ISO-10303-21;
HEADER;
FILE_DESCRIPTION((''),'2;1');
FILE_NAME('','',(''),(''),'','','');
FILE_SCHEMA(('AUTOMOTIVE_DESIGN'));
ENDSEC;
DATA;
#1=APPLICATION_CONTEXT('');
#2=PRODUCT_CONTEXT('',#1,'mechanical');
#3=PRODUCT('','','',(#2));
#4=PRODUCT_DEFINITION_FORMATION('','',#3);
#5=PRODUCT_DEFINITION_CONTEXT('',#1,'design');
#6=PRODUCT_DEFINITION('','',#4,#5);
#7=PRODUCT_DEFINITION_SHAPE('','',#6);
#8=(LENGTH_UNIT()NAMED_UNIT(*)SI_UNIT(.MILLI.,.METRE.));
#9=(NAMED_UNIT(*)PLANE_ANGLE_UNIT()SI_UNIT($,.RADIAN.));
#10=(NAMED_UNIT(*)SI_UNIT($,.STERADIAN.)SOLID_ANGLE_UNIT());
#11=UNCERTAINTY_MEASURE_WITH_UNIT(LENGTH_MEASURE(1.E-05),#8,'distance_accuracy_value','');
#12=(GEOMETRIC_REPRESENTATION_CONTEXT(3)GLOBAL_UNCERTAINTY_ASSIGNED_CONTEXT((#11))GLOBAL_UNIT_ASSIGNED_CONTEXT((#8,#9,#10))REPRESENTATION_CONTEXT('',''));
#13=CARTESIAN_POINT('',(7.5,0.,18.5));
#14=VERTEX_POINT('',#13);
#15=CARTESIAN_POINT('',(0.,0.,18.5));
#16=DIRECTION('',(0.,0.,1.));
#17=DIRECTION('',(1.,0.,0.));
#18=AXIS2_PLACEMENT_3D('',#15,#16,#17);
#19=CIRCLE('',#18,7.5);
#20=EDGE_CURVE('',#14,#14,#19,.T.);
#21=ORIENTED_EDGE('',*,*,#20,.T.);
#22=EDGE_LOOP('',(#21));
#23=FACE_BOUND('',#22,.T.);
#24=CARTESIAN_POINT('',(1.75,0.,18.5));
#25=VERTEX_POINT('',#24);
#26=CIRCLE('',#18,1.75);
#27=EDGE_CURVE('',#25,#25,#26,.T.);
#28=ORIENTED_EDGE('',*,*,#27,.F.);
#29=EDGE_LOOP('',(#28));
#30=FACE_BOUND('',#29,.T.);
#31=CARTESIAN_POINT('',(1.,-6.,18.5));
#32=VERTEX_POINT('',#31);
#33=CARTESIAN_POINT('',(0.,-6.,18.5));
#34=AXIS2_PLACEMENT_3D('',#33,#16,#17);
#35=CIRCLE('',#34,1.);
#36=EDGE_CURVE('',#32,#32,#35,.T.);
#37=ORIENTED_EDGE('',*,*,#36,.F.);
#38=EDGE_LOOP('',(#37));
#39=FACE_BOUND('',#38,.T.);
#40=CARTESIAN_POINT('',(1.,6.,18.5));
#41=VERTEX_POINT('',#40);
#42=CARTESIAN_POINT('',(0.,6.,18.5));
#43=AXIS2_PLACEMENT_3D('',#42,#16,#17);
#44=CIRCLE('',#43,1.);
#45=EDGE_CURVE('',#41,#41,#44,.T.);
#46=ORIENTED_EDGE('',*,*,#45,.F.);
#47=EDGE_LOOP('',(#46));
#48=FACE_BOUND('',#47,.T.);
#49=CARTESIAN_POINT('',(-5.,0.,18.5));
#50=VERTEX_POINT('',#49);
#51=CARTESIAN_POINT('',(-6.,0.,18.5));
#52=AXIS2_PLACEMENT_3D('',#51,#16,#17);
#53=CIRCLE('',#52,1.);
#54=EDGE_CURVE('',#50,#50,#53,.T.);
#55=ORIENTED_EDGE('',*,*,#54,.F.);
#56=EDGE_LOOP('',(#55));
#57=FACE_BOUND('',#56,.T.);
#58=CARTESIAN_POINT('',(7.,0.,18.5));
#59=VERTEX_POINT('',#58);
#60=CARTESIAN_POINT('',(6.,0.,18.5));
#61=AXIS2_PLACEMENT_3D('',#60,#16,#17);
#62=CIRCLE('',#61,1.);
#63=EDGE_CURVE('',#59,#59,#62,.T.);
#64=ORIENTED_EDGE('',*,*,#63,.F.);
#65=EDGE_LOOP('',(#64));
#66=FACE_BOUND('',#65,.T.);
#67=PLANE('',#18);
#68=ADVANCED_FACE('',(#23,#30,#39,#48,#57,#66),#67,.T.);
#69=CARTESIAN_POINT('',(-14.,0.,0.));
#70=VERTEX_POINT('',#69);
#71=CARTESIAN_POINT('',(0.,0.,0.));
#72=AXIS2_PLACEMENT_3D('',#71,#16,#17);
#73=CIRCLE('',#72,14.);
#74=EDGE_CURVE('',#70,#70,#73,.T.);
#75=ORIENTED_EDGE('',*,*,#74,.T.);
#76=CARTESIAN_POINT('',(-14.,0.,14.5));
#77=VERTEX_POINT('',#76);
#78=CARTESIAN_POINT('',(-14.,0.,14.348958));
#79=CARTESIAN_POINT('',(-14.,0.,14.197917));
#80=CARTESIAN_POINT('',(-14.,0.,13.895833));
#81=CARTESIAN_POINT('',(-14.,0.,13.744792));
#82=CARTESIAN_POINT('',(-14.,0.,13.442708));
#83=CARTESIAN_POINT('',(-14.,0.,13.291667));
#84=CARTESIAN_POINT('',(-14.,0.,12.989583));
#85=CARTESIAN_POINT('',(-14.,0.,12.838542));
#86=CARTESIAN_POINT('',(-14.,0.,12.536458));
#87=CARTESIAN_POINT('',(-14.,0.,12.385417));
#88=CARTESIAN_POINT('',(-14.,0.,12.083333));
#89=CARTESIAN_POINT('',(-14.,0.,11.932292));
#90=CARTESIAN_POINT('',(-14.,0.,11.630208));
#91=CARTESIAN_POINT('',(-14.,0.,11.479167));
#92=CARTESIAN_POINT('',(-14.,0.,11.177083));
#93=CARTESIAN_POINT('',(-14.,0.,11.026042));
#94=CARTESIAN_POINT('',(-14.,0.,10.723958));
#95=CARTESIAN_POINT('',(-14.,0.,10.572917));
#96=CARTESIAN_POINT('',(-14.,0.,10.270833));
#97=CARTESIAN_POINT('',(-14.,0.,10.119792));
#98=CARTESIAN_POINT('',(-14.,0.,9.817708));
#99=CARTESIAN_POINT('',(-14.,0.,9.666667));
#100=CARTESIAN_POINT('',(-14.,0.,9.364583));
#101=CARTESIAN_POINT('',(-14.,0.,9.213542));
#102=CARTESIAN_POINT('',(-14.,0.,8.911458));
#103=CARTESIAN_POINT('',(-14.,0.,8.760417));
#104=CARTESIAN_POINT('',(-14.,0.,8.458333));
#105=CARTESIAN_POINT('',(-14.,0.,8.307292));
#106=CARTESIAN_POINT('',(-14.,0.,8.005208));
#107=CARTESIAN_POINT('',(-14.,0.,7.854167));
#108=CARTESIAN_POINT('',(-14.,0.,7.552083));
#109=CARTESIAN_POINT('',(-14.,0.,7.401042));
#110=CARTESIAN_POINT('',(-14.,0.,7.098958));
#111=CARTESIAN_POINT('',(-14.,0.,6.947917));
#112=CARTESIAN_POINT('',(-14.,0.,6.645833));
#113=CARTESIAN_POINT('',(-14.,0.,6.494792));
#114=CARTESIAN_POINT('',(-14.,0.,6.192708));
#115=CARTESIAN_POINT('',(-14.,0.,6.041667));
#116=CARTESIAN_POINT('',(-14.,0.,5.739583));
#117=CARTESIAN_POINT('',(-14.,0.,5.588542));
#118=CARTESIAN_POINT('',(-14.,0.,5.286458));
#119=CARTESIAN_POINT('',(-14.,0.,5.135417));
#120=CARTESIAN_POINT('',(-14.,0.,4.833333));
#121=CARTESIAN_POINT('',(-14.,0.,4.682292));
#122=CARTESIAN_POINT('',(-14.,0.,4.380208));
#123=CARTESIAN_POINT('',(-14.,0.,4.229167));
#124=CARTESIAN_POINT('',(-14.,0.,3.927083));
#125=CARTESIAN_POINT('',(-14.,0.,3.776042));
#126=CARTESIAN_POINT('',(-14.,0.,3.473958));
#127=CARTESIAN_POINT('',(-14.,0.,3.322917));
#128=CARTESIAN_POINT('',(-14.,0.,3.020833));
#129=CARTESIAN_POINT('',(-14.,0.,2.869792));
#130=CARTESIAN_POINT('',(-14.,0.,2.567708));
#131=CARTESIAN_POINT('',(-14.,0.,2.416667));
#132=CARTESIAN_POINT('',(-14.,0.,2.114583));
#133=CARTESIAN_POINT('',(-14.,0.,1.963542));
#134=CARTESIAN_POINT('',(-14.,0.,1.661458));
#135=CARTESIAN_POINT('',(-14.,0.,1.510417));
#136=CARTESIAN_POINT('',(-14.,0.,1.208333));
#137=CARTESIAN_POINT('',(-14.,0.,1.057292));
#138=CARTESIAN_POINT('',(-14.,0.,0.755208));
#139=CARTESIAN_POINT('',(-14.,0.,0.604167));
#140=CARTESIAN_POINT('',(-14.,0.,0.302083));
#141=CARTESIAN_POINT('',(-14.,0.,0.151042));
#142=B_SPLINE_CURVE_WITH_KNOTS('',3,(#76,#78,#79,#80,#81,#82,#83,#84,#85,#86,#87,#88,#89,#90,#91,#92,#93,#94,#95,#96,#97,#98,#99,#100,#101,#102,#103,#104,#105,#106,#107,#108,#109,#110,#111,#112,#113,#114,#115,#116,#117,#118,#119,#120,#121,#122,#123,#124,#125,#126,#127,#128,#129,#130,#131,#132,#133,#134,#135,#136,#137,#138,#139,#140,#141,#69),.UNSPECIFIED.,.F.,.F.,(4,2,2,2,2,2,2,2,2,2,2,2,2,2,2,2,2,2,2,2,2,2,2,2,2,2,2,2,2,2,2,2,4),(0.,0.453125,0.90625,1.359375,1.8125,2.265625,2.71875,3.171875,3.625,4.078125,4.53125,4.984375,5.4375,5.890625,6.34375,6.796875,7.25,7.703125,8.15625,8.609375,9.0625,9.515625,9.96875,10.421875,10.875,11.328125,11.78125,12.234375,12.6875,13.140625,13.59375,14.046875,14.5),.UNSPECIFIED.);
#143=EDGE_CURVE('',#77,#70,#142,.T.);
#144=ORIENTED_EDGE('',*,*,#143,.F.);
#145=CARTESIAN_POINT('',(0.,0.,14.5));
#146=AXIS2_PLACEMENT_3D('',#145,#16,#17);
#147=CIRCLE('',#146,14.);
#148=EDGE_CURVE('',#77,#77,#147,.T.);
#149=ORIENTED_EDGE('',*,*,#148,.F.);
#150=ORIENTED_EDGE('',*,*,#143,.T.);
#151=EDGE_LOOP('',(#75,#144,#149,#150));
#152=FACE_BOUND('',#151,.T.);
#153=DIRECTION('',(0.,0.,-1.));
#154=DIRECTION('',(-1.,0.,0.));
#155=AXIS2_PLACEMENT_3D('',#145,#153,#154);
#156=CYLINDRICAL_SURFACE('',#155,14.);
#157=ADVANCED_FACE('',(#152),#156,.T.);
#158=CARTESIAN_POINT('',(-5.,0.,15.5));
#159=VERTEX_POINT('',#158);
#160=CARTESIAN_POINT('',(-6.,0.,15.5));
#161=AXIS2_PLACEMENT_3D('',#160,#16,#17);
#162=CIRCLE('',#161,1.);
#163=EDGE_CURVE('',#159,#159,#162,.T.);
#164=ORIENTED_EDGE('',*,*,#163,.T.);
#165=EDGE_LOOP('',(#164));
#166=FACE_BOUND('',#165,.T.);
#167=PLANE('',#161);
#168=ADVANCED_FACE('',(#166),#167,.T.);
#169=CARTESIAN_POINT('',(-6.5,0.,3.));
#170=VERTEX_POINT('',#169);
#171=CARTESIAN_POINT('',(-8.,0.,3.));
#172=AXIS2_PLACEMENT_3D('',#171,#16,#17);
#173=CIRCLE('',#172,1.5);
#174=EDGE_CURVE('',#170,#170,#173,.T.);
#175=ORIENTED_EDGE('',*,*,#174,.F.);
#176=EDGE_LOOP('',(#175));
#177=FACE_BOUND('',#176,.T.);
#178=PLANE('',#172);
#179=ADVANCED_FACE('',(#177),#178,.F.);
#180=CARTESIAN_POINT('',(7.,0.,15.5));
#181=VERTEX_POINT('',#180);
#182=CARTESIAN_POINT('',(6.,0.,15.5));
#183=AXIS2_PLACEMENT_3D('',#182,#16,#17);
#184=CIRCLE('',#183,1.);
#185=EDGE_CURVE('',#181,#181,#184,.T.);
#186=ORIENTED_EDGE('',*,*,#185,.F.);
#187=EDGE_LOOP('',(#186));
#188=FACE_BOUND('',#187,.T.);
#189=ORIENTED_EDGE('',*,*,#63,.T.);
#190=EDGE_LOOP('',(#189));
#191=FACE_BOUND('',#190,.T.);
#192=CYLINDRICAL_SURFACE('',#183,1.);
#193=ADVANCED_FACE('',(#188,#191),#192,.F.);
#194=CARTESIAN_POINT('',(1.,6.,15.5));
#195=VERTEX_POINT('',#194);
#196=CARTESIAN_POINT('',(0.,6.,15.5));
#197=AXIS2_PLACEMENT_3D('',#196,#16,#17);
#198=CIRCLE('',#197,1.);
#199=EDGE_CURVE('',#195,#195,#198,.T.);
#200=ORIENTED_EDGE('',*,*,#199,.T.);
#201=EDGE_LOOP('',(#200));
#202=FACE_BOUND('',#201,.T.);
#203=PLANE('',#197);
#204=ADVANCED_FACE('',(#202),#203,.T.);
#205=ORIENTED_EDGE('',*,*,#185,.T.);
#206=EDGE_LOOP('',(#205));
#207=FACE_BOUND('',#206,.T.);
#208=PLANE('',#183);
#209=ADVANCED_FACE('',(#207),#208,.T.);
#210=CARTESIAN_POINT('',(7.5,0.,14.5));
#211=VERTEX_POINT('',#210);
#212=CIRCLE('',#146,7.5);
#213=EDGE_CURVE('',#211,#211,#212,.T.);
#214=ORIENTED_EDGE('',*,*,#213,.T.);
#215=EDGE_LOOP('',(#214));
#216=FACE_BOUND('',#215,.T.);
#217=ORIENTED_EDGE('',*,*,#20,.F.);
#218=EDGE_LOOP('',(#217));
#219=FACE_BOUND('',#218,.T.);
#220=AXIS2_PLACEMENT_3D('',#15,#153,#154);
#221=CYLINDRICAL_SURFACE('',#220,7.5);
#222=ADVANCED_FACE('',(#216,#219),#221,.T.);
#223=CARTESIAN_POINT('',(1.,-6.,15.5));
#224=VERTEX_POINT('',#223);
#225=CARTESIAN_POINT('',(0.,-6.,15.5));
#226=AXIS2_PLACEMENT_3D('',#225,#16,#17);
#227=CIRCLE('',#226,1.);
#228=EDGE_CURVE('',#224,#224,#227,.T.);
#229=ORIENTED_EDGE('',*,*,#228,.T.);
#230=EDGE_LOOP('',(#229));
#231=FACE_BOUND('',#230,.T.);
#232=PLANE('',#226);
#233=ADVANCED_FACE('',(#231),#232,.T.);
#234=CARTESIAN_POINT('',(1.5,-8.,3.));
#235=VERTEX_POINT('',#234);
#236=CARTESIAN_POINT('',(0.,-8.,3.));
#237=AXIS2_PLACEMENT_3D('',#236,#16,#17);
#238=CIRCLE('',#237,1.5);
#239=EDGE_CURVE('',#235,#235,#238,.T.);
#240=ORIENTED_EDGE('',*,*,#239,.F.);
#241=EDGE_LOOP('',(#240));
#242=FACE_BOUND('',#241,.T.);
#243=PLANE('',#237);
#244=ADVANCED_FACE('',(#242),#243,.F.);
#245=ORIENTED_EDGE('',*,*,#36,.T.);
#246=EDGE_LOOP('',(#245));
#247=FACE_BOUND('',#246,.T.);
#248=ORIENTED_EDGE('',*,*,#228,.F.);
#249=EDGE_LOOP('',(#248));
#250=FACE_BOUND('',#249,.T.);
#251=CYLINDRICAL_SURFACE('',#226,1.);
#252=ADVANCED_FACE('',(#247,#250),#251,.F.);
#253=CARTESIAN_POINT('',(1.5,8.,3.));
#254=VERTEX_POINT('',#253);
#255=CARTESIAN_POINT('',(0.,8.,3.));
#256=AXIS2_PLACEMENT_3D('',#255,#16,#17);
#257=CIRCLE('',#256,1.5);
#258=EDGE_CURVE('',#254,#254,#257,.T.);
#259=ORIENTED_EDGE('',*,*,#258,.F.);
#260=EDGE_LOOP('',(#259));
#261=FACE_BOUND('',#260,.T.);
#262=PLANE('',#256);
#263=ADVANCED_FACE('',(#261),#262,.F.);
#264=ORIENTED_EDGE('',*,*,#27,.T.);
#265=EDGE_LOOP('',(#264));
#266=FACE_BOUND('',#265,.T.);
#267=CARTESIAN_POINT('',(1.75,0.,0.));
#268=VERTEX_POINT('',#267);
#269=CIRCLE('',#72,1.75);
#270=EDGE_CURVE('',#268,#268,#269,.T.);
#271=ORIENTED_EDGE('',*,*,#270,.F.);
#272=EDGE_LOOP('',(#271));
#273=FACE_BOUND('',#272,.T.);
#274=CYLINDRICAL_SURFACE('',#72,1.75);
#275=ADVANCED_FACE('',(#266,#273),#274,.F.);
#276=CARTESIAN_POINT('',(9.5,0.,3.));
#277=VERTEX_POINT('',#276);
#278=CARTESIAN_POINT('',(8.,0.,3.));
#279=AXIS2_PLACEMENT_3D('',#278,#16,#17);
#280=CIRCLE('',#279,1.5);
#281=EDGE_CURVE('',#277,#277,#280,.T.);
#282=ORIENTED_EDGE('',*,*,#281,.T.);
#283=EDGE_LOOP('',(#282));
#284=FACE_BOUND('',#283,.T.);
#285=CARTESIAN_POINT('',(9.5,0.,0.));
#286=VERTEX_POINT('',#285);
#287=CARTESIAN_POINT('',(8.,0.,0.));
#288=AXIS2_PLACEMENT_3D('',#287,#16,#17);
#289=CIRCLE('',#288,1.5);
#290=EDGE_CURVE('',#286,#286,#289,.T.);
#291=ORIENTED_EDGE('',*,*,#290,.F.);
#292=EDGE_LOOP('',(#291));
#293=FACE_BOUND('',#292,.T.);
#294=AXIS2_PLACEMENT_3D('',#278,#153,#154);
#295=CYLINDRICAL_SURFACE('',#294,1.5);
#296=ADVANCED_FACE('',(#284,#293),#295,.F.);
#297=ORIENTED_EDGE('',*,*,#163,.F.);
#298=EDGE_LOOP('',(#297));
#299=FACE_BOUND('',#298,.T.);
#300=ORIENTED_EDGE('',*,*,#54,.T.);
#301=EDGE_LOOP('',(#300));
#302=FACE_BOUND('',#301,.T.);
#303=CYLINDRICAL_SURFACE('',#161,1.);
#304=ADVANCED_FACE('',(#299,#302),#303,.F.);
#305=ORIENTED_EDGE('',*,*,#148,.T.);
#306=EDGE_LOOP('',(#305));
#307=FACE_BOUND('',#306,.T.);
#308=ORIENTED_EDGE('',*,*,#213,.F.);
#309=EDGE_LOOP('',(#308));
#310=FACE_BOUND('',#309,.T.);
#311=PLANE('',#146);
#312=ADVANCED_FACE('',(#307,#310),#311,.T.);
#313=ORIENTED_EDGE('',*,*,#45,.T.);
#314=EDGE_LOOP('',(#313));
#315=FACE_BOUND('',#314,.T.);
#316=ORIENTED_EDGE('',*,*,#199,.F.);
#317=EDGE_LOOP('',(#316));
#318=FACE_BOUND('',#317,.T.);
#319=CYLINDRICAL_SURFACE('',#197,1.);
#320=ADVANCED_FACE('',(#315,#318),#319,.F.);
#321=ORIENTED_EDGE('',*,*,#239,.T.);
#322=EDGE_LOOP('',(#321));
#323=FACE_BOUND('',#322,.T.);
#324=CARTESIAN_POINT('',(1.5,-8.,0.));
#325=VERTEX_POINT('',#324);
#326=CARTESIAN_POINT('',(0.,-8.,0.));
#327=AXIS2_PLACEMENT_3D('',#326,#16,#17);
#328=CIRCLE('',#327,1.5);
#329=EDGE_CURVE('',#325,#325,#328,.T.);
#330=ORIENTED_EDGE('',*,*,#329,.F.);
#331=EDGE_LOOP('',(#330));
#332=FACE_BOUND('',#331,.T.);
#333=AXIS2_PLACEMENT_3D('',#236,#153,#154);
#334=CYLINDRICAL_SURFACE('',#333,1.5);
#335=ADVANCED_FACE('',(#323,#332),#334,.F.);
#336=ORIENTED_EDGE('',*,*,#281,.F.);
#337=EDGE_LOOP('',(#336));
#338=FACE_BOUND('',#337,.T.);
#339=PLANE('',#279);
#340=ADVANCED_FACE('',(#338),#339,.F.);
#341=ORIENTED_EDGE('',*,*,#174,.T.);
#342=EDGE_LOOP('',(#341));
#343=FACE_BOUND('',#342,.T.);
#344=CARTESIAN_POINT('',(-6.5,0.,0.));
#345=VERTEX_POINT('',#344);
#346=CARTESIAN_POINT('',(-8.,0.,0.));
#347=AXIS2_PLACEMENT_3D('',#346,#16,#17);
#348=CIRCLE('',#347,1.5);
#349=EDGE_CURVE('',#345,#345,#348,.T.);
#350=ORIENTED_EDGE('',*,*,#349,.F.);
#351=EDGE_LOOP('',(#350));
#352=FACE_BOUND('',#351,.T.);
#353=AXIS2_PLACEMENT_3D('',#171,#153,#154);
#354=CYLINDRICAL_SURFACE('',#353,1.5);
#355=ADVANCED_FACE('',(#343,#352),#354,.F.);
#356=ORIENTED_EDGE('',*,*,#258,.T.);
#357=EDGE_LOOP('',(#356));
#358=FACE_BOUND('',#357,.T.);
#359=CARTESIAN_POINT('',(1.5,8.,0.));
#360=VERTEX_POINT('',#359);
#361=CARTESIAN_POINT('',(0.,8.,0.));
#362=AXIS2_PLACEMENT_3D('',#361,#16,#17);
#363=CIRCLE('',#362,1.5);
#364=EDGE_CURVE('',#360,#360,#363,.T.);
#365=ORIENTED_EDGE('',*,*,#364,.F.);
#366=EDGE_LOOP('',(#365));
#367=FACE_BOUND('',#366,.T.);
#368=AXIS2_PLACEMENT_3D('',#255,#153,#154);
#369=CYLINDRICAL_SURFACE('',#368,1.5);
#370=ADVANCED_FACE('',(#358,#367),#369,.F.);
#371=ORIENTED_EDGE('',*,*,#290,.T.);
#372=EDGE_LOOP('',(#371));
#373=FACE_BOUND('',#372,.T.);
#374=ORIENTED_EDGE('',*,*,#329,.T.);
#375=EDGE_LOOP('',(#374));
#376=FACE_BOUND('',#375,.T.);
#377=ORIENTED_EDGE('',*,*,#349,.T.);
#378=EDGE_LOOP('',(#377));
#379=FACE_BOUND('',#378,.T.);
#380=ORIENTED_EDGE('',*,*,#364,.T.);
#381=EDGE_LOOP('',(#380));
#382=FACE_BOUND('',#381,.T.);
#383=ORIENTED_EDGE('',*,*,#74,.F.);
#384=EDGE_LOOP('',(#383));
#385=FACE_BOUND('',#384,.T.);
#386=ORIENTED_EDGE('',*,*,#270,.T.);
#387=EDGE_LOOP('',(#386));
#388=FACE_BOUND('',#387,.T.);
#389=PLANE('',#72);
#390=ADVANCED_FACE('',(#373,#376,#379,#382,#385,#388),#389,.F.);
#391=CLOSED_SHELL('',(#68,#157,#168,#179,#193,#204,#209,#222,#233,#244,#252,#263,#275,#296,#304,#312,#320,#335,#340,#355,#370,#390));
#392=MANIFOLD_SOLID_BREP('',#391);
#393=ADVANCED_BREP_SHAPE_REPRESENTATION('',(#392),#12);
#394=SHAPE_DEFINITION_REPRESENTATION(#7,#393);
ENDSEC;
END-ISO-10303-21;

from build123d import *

# Parameters (mm, degrees)
SKETCH_1_R          = 14
EXTRUDE_1_DEPTH     = 14.5
SKETCH_3_R          = 7.5
EXTRUDE_3_DEPTH     = 4
SKETCH_4_R          = 1.75
CUT_EXTRUDE_1_DEPTH = 28.09704781
SKETCH_5_R          = 1
CUT_EXTRUDE_2_DEPTH = 3
SKETCH_6_R          = 1.5
CUT_EXTRUDE_3_DEPTH = 3


with BuildPart() as part:
    # 草图1 → 凸台-拉伸1 (new body)
    with BuildSketch(Plane.XY):
        with Locations(Location((0, 0, 0), (0, 0, 180))):
            Circle(SKETCH_1_R)
    extrude(amount=EXTRUDE_1_DEPTH)

    # 草图3 → 凸台-拉伸3 (add)
    with BuildSketch(Plane.XY.offset(14.5)):
        Circle(SKETCH_3_R)
    extrude(amount=EXTRUDE_3_DEPTH)

    # 草图4 → 切除-拉伸1 (cut, through all)
    with BuildSketch(Plane.XY.offset(18.5)):
        Circle(SKETCH_4_R)
    extrude(amount=-CUT_EXTRUDE_1_DEPTH, mode=Mode.SUBTRACT)

    # 草图5 → 切除-拉伸2 (cut)
    with BuildSketch(Plane.XY.offset(18.5)):
        with Locations((0, -6)):
            Circle(SKETCH_5_R)
        with Locations((-6, 0)):
            Circle(SKETCH_5_R)
        with Locations((0, 6)):
            Circle(SKETCH_5_R)
        with Locations((6, 0)):
            Circle(SKETCH_5_R)
    extrude(amount=-CUT_EXTRUDE_2_DEPTH, mode=Mode.SUBTRACT)

    # 草图6 → 切除-拉伸3 (cut)
    with BuildSketch(Plane.XY):
        with Locations((0, 8)):
            Circle(SKETCH_6_R)
        with Locations((-8, 0)):
            Circle(SKETCH_6_R)
        with Locations((0, -8)):
            Circle(SKETCH_6_R)
        with Locations((8, 0)):
            Circle(SKETCH_6_R)
    extrude(amount=CUT_EXTRUDE_3_DEPTH, mode=Mode.SUBTRACT)


solid = part.part
